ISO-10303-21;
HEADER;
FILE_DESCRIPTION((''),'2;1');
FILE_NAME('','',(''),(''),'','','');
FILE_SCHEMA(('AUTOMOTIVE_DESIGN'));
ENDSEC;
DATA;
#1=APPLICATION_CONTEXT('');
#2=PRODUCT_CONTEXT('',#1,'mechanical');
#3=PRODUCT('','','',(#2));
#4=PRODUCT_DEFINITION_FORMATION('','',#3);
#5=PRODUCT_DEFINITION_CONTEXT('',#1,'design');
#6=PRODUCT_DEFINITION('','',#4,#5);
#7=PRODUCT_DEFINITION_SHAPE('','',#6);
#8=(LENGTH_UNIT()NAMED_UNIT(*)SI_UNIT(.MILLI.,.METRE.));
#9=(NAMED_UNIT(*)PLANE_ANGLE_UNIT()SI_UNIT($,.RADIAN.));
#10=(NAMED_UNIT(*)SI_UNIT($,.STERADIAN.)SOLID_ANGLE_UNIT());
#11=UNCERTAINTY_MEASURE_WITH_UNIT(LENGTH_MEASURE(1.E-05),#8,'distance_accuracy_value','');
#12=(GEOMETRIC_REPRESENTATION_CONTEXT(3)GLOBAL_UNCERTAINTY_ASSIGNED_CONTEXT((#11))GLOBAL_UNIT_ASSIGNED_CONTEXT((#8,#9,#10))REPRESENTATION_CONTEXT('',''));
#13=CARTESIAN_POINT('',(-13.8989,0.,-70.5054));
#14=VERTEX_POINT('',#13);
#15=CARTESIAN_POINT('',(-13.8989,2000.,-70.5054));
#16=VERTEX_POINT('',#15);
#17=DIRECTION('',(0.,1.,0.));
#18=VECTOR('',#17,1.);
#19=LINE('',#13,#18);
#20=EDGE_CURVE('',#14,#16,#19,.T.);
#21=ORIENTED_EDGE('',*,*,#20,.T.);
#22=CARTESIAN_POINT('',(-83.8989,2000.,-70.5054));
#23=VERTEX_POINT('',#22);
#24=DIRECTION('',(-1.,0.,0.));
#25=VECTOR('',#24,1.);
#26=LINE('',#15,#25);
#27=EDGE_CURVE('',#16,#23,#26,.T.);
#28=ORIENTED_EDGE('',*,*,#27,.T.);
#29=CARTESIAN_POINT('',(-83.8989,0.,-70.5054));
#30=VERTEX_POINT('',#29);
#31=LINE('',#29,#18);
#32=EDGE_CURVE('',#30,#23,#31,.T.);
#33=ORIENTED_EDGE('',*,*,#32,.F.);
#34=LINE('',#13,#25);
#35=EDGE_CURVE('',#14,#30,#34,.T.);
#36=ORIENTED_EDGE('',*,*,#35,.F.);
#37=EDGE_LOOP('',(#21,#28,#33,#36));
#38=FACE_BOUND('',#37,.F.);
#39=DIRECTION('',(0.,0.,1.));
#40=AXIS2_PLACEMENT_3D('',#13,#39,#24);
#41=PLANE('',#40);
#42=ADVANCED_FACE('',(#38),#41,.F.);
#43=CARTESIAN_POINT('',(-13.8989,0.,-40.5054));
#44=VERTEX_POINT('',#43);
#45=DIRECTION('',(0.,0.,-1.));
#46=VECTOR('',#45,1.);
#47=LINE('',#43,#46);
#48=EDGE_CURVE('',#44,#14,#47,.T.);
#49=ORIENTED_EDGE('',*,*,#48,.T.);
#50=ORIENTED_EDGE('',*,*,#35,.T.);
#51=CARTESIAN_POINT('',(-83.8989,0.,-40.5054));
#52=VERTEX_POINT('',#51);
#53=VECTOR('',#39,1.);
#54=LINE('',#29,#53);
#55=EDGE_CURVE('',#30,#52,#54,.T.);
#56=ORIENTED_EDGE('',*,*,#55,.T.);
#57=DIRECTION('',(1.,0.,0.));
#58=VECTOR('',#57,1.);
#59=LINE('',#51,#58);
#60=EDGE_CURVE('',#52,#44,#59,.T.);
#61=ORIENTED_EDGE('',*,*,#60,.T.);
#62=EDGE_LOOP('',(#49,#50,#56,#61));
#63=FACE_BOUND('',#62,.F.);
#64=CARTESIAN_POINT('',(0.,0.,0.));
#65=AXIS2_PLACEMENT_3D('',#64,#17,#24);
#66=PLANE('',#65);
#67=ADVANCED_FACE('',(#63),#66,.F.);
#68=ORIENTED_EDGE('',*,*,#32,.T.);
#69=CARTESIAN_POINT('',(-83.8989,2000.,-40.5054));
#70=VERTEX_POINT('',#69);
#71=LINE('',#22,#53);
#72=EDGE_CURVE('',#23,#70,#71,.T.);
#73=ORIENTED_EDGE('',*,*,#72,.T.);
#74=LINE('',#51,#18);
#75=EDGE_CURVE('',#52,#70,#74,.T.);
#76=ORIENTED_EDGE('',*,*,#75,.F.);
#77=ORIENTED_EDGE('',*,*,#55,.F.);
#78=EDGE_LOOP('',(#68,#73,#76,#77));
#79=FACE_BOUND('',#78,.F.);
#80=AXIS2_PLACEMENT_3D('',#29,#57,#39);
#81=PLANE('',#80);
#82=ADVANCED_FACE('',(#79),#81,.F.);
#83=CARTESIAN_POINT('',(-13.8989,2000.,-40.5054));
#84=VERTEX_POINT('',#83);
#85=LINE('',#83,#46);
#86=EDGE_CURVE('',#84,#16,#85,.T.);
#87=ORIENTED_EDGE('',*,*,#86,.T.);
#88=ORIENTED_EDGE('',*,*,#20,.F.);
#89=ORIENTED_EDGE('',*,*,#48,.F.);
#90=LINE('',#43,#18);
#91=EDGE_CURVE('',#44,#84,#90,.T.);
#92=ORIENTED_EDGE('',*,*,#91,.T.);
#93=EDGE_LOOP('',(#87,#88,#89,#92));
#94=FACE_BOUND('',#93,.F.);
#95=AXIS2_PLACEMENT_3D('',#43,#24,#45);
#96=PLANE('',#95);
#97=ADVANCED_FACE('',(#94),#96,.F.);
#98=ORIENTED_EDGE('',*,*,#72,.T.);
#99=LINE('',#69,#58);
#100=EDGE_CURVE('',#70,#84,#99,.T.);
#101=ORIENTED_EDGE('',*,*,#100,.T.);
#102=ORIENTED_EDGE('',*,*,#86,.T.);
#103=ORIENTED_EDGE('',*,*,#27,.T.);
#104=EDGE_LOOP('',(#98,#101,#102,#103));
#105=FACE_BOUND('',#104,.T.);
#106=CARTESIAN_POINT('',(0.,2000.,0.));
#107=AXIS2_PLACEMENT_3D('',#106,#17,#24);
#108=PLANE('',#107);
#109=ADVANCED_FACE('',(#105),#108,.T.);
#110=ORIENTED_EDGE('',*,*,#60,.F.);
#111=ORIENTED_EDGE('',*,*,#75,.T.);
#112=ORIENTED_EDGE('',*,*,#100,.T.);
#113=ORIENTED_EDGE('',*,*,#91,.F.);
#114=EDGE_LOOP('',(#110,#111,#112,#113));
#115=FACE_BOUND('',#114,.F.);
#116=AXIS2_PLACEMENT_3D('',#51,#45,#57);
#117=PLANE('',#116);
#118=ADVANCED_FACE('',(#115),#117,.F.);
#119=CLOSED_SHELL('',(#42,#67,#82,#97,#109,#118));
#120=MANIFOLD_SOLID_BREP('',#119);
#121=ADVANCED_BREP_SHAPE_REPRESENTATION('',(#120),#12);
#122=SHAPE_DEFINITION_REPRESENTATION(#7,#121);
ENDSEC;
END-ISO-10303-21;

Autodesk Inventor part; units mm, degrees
ref_plane "YZ Plane" through (0, 0, 0) normal (1, 0, 0) x (0, 1, 0)
ref_plane "XZ Plane" through (0, 0, 0) normal (0, 1, 0) x (-1, 0, 0)
ref_plane "XY Plane" through (0, 0, 0) normal (0, 0, 1) x (1, 0, 0)
sketch "Skizze1" plane through (0, 0, 0) normal (0, 1, 0) x (-1, 0, 0)
  line L0 (83.8989, -40.5054) -> (13.8989, -40.5054)
  line L1 (13.8989, -40.5054) -> (13.8989, -70.5054)
  line L2 (13.8989, -70.5054) -> (83.8989, -70.5054)
  line L3 (83.8989, -70.5054) -> (83.8989, -40.5054)
  point P0 (0, 0)
  dimension "d0" = 70
  dimension "d1" = 30
extrude "Extrusion1" add sketch "Skizze1" along normal blind 2000
properties part number "Stangen für GPS"
